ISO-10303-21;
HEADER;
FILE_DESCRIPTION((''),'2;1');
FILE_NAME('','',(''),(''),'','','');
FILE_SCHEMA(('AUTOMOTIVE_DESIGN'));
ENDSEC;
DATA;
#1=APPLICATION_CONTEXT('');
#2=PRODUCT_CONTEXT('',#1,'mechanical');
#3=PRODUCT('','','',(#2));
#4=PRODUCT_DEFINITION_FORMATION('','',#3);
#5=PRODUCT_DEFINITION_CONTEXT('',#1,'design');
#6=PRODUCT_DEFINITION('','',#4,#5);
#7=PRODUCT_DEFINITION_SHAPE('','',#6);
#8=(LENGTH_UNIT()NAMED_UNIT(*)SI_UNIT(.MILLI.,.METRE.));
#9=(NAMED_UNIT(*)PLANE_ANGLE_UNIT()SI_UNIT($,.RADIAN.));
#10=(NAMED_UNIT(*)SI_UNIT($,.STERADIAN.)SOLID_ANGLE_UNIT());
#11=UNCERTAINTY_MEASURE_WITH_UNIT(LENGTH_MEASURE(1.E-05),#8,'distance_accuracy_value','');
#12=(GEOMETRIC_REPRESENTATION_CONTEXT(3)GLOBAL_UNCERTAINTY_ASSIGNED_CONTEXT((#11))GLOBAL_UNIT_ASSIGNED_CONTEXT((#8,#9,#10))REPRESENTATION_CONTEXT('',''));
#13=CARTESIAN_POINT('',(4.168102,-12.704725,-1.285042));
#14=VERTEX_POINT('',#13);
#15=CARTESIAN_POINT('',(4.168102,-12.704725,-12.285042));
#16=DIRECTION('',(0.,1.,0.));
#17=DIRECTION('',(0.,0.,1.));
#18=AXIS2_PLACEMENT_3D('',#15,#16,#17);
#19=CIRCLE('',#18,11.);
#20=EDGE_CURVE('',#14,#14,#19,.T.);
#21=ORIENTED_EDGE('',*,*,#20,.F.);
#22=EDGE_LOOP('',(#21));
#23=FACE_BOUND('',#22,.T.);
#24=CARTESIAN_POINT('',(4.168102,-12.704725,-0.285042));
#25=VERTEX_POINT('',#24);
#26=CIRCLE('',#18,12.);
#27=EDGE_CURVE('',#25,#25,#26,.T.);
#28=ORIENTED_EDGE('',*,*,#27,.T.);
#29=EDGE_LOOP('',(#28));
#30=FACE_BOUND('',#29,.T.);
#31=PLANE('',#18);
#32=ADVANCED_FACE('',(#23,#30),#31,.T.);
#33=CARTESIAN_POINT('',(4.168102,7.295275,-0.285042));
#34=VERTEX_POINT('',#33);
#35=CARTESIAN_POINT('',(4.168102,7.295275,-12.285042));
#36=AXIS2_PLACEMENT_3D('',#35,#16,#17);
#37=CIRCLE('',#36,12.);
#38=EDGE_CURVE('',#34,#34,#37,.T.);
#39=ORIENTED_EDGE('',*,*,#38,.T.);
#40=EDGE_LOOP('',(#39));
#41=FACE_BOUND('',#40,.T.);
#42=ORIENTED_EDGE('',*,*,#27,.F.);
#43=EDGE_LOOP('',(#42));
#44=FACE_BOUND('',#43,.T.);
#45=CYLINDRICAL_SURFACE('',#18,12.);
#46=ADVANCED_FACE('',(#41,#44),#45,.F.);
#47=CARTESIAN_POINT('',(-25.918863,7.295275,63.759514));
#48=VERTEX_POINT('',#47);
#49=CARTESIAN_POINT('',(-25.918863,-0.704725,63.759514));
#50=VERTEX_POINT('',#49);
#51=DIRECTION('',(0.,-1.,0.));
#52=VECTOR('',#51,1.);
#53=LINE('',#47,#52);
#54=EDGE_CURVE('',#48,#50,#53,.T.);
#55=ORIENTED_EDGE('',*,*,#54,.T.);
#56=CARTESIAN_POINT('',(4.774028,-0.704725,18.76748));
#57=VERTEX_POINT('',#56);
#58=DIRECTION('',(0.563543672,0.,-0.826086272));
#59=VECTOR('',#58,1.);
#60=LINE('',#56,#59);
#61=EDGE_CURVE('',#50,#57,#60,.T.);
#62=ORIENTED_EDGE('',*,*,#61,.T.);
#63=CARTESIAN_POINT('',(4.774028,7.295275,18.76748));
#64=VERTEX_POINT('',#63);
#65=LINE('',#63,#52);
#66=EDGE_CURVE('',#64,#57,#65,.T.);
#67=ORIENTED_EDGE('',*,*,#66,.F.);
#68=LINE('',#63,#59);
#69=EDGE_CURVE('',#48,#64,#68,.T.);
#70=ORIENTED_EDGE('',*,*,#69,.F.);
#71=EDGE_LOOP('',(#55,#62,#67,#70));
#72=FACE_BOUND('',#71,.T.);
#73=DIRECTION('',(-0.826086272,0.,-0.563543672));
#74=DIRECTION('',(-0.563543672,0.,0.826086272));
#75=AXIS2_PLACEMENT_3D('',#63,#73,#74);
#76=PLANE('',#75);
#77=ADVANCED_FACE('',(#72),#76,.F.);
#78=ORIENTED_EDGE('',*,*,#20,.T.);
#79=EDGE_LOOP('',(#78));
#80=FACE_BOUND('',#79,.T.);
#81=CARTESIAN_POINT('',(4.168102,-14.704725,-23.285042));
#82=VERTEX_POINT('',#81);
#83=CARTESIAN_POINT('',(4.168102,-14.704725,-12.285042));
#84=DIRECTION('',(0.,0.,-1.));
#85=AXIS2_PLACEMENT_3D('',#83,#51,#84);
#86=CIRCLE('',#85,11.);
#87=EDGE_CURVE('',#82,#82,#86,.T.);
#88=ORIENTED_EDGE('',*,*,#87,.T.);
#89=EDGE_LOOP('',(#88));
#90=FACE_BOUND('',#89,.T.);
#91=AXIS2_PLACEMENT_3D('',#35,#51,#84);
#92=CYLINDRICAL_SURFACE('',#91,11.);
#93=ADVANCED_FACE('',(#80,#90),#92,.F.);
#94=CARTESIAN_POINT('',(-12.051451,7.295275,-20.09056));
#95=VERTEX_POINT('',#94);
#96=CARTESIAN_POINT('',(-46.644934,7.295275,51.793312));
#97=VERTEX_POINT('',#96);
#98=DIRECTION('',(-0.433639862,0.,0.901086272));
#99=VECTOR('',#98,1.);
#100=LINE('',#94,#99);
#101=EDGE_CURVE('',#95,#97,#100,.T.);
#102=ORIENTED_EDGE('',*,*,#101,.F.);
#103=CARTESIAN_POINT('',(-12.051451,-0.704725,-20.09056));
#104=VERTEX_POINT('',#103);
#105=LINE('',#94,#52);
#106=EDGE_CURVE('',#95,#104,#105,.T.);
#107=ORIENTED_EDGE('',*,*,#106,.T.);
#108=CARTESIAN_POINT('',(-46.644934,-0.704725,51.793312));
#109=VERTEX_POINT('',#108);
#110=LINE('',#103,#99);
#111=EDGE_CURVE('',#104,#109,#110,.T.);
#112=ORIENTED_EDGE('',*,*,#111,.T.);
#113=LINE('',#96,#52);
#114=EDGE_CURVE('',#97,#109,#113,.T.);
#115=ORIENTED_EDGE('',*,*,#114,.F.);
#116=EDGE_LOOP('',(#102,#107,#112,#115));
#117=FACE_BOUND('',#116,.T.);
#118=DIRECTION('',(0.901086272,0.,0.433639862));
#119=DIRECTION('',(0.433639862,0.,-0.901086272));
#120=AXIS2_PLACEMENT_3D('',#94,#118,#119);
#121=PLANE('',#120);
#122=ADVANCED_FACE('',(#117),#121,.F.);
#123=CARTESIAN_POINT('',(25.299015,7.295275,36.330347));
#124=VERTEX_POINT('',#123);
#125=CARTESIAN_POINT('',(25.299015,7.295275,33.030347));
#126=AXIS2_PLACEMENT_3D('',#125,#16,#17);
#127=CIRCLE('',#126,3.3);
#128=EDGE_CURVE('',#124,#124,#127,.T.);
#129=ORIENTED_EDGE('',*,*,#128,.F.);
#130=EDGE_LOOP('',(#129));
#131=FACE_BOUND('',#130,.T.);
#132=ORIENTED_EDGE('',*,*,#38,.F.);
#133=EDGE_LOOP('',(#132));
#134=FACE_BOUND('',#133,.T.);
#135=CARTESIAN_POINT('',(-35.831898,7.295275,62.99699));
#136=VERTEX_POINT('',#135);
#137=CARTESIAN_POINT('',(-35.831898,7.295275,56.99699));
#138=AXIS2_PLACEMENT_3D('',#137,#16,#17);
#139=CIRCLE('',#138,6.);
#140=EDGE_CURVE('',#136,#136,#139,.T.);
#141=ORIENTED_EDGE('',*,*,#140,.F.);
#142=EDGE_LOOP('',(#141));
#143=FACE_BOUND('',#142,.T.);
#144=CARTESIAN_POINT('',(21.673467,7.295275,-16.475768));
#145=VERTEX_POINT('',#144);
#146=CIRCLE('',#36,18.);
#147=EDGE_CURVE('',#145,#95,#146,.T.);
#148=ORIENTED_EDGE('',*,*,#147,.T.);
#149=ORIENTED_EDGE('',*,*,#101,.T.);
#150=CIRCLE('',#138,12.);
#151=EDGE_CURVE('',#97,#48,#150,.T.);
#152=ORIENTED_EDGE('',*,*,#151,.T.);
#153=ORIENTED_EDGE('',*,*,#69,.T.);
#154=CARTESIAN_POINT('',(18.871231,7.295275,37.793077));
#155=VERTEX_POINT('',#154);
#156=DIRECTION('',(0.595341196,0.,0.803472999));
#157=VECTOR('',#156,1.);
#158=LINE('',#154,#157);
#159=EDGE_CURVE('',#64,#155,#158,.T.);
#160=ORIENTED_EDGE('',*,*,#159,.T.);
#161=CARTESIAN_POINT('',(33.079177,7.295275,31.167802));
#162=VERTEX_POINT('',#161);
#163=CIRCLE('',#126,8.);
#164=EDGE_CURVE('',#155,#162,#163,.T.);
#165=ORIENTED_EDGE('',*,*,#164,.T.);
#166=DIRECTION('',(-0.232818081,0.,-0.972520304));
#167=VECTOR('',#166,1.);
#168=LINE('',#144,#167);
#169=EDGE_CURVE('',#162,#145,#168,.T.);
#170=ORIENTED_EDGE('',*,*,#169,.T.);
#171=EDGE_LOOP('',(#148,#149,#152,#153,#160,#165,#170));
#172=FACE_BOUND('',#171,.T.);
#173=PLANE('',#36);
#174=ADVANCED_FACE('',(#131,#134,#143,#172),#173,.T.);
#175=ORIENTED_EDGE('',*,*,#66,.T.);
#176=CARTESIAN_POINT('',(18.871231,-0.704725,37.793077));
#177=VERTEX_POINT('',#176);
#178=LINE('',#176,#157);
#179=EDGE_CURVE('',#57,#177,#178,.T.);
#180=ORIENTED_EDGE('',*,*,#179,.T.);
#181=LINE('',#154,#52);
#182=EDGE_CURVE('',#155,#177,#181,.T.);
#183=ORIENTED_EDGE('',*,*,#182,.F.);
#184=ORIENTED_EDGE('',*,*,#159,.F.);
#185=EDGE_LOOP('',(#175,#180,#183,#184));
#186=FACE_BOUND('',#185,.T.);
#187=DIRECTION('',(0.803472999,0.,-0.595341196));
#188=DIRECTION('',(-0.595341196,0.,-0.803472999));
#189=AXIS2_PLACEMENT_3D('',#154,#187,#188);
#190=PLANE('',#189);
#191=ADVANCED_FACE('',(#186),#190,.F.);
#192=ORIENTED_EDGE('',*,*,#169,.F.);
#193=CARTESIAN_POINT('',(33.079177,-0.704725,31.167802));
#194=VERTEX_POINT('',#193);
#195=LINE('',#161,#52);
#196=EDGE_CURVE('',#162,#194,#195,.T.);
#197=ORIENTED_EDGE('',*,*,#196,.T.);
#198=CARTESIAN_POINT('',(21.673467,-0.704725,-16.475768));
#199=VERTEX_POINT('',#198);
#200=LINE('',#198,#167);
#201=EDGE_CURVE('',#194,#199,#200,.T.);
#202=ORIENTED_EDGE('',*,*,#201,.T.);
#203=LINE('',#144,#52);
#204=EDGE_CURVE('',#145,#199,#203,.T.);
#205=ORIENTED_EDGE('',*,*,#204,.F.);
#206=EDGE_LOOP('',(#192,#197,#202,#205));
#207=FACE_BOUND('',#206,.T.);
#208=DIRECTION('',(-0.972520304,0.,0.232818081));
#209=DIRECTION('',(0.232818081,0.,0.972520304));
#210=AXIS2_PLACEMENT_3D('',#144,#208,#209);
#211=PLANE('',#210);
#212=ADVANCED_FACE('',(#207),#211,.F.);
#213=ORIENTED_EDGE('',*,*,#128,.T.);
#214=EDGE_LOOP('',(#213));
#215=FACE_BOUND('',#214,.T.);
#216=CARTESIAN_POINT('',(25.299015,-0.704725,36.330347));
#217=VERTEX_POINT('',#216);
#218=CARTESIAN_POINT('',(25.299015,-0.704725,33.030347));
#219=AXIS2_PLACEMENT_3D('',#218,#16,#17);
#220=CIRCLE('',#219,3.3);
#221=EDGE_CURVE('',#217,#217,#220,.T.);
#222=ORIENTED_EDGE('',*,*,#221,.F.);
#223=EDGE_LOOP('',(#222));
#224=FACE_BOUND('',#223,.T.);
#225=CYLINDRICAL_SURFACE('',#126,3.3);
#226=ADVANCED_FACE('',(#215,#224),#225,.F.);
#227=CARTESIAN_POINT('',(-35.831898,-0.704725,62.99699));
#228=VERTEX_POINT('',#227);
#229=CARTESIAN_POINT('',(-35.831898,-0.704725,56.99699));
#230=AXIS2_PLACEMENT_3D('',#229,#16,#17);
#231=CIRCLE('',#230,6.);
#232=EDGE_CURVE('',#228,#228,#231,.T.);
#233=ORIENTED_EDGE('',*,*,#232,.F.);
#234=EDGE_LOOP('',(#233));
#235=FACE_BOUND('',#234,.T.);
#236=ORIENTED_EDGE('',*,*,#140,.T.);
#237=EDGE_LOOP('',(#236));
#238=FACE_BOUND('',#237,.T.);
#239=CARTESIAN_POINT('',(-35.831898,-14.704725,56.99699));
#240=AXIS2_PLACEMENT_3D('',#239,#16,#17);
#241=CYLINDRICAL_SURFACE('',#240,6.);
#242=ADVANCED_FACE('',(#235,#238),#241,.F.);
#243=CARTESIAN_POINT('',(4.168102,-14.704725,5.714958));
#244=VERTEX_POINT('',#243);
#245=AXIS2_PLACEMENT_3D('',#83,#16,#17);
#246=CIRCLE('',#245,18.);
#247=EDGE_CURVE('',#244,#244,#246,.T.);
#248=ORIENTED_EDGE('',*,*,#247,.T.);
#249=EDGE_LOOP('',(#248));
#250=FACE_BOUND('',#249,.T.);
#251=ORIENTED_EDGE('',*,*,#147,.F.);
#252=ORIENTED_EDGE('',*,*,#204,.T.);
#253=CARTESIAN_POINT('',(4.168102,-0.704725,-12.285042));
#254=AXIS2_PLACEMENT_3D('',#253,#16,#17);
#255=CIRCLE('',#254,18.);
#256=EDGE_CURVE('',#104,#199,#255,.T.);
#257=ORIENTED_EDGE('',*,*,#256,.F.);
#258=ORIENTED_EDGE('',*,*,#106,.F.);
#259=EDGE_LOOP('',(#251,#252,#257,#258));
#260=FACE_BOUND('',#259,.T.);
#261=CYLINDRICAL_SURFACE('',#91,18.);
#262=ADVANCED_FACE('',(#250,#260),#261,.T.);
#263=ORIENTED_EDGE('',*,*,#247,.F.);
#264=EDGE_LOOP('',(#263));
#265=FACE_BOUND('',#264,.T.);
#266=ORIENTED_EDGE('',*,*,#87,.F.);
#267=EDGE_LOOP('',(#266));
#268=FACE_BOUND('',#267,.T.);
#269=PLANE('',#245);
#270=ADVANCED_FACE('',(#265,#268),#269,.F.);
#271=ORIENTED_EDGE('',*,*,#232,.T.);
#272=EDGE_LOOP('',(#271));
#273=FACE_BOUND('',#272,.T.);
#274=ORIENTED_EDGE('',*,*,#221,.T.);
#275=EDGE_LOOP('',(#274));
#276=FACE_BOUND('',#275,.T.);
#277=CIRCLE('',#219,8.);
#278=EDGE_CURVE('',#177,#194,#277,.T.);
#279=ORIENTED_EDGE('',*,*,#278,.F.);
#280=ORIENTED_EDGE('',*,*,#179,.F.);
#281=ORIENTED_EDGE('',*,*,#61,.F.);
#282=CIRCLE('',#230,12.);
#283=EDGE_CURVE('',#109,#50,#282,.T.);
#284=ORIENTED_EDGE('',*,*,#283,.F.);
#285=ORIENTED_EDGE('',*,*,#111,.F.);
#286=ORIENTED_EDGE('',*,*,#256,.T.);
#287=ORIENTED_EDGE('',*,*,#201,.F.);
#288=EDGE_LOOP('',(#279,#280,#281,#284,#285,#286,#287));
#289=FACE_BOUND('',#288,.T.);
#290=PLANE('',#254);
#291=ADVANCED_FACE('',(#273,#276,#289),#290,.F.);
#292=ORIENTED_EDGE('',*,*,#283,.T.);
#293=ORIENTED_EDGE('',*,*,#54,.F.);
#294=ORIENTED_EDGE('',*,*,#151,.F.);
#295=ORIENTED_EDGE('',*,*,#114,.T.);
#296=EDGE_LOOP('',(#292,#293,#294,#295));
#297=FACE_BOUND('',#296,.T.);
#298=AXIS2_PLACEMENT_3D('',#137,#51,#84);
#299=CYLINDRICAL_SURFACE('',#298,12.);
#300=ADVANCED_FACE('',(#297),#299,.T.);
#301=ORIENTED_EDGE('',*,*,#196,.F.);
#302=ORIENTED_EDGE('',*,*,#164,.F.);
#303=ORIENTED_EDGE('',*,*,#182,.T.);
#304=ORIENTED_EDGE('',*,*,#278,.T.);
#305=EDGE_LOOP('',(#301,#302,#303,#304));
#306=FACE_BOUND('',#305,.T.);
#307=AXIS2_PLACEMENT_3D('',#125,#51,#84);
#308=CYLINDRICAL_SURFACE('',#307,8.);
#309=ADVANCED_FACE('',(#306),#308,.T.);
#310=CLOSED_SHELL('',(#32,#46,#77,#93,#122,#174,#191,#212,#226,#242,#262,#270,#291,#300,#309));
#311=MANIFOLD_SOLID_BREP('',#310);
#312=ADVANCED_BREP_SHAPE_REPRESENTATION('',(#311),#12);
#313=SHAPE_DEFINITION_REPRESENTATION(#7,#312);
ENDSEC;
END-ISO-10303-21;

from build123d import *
from build123d.topology import SkipClean

# Parameters (mm, degrees)
EXTRUDE_1_DEPTH     = 4
EXTRUDE_START       = -11
SKETCH_3_R          = 9
EXTRUDE_2_DEPTH     = 11
SKETCH_4_R          = 3
CUT_EXTRUDE_1_DEPTH = 50.484262082
HOLE_WIZARD_M4_1_D  = 3.3
SKETCH_10_R         = 6
CUT_EXTRUDE_2_DEPTH = 10
SKETCH_11_R         = 5.5
CUT_EXTRUDE_3_DEPTH = 50.484262082
SCALE1_SCALE        = 2


with BuildPart() as part:
    # 草图1 → 凸台-拉伸1 (new body)
    with BuildSketch(Plane(origin=(0, 0, 0), x_dir=(1, 0, 0), z_dir=(0, 1, 0))):
        with BuildLine():
            Line((-8.109776452, 3.902758754), (-25.406517635, -32.039176982))
            ThreePointArc((-25.406517635, -32.039176982), (-23, -39.837168574), (-15.043482365, -38.022278184))
            Line((-15.043482365, -38.022278184), (0.302963304, -15.526261061))
            Line((0.302963304, -15.526261061), (7.351564548, -25.039059461))
            ThreePointArc((7.351564548, -25.039059461), (12.25592959, -26.282925824), (14.455537758, -21.72642235))
            Line((14.455537758, -21.72642235), (8.752682732, 2.095362733))
            ThreePointArc((8.752682732, 2.095362733), (0.95916746, 8.948742805), (-8.109776452, 3.902758754))
        make_face()
    extrude(amount=EXTRUDE_1_DEPTH)

    # 草图3 → 凸台-拉伸2 (add)
    with SkipClean():  # the faces are left unmerged after this step: merging them gives an invalid solid
        with BuildSketch(Plane(origin=(0, 4, 0), x_dir=(1, 0, 0), z_dir=(0, 1, 0)).offset(EXTRUDE_START)):
            with Locations(Location((0, 0, 0), (0, 0, 154.301222305))):
                Circle(SKETCH_3_R)
        extrude(amount=EXTRUDE_2_DEPTH)

    # 草图4 → 切除-拉伸1 (cut, through all)
    with SkipClean():  # the faces are left unmerged after this step: merging them gives an invalid solid
        with BuildSketch(Plane(origin=(0, 4, 0), x_dir=(1, 0, 0), z_dir=(0, 1, 0))):
            with Locations(Location((-20, -34.641016151, 0), (0, 0, 270))):
                Circle(SKETCH_4_R)
        extrude(amount=-CUT_EXTRUDE_1_DEPTH, mode=Mode.SUBTRACT)

    # M4 螺纹孔1 (through all)
    with Locations(Plane(origin=(0, 4, 0), x_dir=(1, 0, 0), z_dir=(0, 1, 0))):
        with Locations((10.565456544, -22.657694676)):
            Hole(HOLE_WIZARD_M4_1_D / 2)

    # 草图10 → 切除-拉伸2 (cut)
    with SkipClean():  # the faces are left unmerged after this step: merging them gives an invalid solid
        with BuildSketch(Plane(origin=(0, 4, 0), x_dir=(1, 0, 0), z_dir=(0, 1, 0))):
            with Locations(Location((0, 0, 0), (0, 0, 270))):
                Circle(SKETCH_10_R)
        extrude(amount=-CUT_EXTRUDE_2_DEPTH, mode=Mode.SUBTRACT)

    # 草图11 → 切除-拉伸3 (cut, through all)
    with SkipClean():  # the faces are left unmerged after this step: merging them gives an invalid solid
        with BuildSketch(Plane.XZ.offset(7)):
            with Locations(Location((0, 0, 0), (0, 0, 270))):
                Circle(SKETCH_11_R)
        extrude(amount=-CUT_EXTRUDE_3_DEPTH, mode=Mode.SUBTRACT)


with BuildPart() as part_1:
    # Scale1: scaled about (-4.168101576, 0.704724682, 12.285042226)
    add(part.part.scale(SCALE1_SCALE).moved(Location((4.168101576, -0.704724682, -12.285042226))))


solid = part_1.part
